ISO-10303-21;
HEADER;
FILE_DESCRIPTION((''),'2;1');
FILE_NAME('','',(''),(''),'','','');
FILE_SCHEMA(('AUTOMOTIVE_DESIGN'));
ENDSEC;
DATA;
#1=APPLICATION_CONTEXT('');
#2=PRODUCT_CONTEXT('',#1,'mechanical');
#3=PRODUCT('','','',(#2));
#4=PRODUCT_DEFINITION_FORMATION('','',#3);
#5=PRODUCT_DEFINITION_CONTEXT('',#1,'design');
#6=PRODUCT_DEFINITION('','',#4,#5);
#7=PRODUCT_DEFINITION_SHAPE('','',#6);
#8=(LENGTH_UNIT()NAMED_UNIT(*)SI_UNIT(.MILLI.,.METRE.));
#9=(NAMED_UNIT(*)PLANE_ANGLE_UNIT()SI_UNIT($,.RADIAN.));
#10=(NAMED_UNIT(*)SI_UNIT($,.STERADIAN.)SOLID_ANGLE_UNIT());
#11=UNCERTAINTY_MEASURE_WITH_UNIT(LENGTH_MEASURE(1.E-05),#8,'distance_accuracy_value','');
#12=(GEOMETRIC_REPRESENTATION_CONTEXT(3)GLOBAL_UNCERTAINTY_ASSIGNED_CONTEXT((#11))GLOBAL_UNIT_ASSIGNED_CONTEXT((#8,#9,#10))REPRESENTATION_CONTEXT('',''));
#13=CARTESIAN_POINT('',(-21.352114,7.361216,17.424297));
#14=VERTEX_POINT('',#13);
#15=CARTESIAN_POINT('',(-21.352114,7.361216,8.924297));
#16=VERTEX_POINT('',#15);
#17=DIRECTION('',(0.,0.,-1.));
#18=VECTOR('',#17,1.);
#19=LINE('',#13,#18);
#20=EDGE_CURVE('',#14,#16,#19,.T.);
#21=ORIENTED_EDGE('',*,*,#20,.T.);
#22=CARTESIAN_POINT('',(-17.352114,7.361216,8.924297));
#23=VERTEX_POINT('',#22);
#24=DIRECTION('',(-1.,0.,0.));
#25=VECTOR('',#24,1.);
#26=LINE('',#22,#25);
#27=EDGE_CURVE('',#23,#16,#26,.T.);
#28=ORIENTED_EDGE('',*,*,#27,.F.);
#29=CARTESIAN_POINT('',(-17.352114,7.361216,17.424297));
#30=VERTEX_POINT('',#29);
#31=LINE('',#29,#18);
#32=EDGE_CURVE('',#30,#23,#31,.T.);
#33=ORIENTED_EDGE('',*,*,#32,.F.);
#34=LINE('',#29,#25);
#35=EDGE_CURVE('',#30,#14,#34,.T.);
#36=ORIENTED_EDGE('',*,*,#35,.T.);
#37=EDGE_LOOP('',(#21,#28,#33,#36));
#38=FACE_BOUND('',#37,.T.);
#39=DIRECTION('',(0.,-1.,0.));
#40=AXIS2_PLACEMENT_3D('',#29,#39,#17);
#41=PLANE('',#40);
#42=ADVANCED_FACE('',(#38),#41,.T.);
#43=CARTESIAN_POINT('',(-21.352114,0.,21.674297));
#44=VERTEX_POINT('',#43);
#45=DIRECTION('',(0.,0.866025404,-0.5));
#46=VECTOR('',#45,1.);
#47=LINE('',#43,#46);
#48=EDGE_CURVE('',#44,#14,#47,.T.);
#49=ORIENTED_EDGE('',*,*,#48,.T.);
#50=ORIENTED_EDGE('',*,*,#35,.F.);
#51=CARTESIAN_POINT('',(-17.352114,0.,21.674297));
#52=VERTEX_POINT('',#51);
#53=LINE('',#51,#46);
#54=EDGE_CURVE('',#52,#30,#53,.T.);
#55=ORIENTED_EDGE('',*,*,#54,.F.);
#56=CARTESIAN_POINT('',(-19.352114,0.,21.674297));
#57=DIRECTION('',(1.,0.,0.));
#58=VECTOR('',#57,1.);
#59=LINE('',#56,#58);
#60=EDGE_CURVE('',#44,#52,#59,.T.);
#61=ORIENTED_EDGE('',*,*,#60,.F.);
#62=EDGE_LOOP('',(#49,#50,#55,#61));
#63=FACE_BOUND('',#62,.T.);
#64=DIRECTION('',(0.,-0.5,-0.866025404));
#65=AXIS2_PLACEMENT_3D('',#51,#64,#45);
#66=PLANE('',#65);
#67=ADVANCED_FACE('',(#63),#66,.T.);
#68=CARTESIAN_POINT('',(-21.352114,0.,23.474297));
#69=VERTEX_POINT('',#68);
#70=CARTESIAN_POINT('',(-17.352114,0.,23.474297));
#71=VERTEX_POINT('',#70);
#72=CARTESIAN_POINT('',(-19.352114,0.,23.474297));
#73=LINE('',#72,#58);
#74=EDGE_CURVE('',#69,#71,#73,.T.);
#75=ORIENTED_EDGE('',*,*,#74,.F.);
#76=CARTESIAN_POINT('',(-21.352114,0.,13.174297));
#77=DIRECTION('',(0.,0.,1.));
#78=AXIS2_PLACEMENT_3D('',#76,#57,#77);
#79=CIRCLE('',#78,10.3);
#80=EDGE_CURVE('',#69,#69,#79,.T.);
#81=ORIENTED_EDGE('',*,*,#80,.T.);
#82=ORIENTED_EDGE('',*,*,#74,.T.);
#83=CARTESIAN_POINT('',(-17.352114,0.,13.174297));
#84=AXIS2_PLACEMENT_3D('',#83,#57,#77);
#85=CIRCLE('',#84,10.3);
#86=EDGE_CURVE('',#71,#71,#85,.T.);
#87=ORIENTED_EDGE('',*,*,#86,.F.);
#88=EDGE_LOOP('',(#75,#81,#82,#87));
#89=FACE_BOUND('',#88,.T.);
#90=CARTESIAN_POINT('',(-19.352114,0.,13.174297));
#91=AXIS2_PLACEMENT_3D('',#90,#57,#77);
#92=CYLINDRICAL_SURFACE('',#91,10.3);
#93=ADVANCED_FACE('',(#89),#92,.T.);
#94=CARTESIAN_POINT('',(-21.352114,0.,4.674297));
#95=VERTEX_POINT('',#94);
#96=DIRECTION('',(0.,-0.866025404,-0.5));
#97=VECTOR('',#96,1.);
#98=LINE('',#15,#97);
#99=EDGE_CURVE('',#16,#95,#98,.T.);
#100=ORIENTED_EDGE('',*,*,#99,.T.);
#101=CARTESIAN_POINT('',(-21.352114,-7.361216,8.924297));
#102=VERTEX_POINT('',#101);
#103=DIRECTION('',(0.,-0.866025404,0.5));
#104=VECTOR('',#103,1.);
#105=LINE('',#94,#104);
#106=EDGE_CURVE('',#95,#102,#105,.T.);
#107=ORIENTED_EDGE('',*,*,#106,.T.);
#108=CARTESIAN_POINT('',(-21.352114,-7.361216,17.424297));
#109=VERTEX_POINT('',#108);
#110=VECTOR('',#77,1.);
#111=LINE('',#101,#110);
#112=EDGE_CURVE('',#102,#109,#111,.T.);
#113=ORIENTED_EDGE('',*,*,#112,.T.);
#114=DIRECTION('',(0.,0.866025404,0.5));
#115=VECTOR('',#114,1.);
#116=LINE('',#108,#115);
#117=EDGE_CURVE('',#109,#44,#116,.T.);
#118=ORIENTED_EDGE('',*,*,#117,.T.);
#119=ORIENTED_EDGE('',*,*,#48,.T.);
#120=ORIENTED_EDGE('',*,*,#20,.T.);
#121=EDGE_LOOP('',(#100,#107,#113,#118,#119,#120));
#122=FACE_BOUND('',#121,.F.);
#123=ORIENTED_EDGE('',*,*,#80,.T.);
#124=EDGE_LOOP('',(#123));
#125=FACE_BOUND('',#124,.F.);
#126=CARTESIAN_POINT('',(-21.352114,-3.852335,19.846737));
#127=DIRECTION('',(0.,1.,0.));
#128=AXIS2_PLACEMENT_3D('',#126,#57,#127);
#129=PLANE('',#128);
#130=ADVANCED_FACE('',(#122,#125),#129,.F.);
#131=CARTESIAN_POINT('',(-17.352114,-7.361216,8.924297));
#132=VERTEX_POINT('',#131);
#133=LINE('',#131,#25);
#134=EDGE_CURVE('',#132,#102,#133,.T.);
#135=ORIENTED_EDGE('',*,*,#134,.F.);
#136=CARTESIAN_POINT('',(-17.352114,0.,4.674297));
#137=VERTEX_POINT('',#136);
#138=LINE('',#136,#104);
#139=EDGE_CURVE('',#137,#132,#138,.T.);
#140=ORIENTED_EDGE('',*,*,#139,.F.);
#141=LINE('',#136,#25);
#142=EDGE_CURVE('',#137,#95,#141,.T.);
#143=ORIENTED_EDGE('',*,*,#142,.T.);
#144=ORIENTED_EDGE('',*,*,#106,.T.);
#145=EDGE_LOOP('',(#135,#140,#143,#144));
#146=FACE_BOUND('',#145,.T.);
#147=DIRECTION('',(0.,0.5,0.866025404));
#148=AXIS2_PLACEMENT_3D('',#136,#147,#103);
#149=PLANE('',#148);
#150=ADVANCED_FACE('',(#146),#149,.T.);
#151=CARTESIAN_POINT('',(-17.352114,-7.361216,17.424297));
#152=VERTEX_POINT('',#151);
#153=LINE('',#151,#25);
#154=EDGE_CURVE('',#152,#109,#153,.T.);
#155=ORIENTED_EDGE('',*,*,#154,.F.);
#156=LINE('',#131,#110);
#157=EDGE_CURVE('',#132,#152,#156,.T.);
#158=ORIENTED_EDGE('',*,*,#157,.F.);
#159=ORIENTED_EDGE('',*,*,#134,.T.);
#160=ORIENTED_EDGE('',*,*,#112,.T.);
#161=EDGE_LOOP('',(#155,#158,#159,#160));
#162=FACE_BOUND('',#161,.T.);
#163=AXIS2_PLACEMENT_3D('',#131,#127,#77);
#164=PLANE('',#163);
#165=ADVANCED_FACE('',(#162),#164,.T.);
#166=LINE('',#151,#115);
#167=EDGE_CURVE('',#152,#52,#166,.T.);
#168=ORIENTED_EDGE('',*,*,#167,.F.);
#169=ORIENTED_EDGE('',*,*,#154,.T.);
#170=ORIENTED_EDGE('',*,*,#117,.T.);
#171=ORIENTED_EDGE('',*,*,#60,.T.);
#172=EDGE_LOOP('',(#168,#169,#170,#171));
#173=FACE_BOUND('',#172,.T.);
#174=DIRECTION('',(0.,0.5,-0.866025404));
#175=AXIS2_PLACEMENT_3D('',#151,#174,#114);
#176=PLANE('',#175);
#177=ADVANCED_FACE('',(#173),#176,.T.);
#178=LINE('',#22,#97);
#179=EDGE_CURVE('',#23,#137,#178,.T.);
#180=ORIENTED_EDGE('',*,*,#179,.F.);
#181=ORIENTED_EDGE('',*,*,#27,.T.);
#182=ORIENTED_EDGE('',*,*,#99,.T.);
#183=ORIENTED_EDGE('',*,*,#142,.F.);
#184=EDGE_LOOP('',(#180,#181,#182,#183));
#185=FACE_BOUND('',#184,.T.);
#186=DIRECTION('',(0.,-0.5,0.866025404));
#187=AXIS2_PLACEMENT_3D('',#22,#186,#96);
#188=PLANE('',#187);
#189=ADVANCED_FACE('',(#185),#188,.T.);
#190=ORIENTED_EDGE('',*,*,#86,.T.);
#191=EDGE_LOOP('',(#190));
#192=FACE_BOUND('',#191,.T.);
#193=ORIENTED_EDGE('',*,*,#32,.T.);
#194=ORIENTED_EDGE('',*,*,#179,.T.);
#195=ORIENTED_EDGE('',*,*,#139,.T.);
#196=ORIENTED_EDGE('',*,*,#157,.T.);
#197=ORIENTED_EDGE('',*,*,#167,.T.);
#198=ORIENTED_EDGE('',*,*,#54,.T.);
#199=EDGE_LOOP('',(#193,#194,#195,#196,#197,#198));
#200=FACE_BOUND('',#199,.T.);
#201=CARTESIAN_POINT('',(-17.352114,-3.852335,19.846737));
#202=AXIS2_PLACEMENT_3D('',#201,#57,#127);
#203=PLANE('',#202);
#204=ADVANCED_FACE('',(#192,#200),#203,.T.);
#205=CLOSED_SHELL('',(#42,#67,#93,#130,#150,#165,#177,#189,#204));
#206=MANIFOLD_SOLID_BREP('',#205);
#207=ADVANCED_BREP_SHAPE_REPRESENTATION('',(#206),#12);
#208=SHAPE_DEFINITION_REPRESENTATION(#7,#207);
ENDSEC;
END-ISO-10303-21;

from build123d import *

# Parameters (mm, degrees)
F0_W     = 4
F0_H     = 1.8
F3_DEPTH = 4


with BuildPart() as f1:
    # F0 (on Front) → F1 (revolve)
    with BuildSketch(Plane.XZ):
        with Locations((-19.3521137871, 22.5742971626)):
            Rectangle(F0_W, F0_H)
    revolve(axis=Axis((-20.6097164191, 0, 13.1742971626), (1, 0, 0)))

    # F2 (on face) → F3 (join)
    with BuildSketch(Plane.YZ.offset(-17.3521137871)):
        with BuildLine():
            Line((-7.3612159322, 17.4242971626), (0, 21.6742971626))
            ThreePointArc((0, 21.6742971626), (-4.25, 20.5355130948), (-7.3612159322, 17.4242971626))
        make_face()
        with BuildLine():
            Line((-7.3612159322, 8.9242971626), (-7.3612159322, 17.4242971626))
            ThreePointArc((-7.3612159322, 17.4242971626), (-8.5, 13.1742971626), (-7.3612159322, 8.9242971626))
        make_face()
        with BuildLine():
            Line((0, 4.6742971626), (-7.3612159322, 8.9242971626))
            ThreePointArc((-7.3612159322, 8.9242971626), (-4.25, 5.8130812304), (0, 4.6742971626))
        make_face()
        with BuildLine():
            ThreePointArc((0, 4.6742971626), (4.25, 5.8130812304), (7.3612159322, 8.9242971626))
            Line((7.3612159322, 8.9242971626), (0, 4.6742971626))
        make_face()
        with BuildLine():
            ThreePointArc((8.5, 13.1742971626), (8.2103695235, 15.374259046), (7.3612159322, 17.4242971626))
            Line((7.3612159322, 17.4242971626), (7.3612159322, 8.9242971626))
            ThreePointArc((7.3612159322, 8.9242971626), (8.2103695235, 10.9743352792), (8.5, 13.1742971626))
        make_face()
        with BuildLine():
            ThreePointArc((7.3612159322, 17.4242971626), (4.25, 20.5355130948), (0, 21.6742971626))
            Line((0, 21.6742971626), (7.3612159322, 17.4242971626))
        make_face()
    extrude(amount=-F3_DEPTH)


solid = f1.part
